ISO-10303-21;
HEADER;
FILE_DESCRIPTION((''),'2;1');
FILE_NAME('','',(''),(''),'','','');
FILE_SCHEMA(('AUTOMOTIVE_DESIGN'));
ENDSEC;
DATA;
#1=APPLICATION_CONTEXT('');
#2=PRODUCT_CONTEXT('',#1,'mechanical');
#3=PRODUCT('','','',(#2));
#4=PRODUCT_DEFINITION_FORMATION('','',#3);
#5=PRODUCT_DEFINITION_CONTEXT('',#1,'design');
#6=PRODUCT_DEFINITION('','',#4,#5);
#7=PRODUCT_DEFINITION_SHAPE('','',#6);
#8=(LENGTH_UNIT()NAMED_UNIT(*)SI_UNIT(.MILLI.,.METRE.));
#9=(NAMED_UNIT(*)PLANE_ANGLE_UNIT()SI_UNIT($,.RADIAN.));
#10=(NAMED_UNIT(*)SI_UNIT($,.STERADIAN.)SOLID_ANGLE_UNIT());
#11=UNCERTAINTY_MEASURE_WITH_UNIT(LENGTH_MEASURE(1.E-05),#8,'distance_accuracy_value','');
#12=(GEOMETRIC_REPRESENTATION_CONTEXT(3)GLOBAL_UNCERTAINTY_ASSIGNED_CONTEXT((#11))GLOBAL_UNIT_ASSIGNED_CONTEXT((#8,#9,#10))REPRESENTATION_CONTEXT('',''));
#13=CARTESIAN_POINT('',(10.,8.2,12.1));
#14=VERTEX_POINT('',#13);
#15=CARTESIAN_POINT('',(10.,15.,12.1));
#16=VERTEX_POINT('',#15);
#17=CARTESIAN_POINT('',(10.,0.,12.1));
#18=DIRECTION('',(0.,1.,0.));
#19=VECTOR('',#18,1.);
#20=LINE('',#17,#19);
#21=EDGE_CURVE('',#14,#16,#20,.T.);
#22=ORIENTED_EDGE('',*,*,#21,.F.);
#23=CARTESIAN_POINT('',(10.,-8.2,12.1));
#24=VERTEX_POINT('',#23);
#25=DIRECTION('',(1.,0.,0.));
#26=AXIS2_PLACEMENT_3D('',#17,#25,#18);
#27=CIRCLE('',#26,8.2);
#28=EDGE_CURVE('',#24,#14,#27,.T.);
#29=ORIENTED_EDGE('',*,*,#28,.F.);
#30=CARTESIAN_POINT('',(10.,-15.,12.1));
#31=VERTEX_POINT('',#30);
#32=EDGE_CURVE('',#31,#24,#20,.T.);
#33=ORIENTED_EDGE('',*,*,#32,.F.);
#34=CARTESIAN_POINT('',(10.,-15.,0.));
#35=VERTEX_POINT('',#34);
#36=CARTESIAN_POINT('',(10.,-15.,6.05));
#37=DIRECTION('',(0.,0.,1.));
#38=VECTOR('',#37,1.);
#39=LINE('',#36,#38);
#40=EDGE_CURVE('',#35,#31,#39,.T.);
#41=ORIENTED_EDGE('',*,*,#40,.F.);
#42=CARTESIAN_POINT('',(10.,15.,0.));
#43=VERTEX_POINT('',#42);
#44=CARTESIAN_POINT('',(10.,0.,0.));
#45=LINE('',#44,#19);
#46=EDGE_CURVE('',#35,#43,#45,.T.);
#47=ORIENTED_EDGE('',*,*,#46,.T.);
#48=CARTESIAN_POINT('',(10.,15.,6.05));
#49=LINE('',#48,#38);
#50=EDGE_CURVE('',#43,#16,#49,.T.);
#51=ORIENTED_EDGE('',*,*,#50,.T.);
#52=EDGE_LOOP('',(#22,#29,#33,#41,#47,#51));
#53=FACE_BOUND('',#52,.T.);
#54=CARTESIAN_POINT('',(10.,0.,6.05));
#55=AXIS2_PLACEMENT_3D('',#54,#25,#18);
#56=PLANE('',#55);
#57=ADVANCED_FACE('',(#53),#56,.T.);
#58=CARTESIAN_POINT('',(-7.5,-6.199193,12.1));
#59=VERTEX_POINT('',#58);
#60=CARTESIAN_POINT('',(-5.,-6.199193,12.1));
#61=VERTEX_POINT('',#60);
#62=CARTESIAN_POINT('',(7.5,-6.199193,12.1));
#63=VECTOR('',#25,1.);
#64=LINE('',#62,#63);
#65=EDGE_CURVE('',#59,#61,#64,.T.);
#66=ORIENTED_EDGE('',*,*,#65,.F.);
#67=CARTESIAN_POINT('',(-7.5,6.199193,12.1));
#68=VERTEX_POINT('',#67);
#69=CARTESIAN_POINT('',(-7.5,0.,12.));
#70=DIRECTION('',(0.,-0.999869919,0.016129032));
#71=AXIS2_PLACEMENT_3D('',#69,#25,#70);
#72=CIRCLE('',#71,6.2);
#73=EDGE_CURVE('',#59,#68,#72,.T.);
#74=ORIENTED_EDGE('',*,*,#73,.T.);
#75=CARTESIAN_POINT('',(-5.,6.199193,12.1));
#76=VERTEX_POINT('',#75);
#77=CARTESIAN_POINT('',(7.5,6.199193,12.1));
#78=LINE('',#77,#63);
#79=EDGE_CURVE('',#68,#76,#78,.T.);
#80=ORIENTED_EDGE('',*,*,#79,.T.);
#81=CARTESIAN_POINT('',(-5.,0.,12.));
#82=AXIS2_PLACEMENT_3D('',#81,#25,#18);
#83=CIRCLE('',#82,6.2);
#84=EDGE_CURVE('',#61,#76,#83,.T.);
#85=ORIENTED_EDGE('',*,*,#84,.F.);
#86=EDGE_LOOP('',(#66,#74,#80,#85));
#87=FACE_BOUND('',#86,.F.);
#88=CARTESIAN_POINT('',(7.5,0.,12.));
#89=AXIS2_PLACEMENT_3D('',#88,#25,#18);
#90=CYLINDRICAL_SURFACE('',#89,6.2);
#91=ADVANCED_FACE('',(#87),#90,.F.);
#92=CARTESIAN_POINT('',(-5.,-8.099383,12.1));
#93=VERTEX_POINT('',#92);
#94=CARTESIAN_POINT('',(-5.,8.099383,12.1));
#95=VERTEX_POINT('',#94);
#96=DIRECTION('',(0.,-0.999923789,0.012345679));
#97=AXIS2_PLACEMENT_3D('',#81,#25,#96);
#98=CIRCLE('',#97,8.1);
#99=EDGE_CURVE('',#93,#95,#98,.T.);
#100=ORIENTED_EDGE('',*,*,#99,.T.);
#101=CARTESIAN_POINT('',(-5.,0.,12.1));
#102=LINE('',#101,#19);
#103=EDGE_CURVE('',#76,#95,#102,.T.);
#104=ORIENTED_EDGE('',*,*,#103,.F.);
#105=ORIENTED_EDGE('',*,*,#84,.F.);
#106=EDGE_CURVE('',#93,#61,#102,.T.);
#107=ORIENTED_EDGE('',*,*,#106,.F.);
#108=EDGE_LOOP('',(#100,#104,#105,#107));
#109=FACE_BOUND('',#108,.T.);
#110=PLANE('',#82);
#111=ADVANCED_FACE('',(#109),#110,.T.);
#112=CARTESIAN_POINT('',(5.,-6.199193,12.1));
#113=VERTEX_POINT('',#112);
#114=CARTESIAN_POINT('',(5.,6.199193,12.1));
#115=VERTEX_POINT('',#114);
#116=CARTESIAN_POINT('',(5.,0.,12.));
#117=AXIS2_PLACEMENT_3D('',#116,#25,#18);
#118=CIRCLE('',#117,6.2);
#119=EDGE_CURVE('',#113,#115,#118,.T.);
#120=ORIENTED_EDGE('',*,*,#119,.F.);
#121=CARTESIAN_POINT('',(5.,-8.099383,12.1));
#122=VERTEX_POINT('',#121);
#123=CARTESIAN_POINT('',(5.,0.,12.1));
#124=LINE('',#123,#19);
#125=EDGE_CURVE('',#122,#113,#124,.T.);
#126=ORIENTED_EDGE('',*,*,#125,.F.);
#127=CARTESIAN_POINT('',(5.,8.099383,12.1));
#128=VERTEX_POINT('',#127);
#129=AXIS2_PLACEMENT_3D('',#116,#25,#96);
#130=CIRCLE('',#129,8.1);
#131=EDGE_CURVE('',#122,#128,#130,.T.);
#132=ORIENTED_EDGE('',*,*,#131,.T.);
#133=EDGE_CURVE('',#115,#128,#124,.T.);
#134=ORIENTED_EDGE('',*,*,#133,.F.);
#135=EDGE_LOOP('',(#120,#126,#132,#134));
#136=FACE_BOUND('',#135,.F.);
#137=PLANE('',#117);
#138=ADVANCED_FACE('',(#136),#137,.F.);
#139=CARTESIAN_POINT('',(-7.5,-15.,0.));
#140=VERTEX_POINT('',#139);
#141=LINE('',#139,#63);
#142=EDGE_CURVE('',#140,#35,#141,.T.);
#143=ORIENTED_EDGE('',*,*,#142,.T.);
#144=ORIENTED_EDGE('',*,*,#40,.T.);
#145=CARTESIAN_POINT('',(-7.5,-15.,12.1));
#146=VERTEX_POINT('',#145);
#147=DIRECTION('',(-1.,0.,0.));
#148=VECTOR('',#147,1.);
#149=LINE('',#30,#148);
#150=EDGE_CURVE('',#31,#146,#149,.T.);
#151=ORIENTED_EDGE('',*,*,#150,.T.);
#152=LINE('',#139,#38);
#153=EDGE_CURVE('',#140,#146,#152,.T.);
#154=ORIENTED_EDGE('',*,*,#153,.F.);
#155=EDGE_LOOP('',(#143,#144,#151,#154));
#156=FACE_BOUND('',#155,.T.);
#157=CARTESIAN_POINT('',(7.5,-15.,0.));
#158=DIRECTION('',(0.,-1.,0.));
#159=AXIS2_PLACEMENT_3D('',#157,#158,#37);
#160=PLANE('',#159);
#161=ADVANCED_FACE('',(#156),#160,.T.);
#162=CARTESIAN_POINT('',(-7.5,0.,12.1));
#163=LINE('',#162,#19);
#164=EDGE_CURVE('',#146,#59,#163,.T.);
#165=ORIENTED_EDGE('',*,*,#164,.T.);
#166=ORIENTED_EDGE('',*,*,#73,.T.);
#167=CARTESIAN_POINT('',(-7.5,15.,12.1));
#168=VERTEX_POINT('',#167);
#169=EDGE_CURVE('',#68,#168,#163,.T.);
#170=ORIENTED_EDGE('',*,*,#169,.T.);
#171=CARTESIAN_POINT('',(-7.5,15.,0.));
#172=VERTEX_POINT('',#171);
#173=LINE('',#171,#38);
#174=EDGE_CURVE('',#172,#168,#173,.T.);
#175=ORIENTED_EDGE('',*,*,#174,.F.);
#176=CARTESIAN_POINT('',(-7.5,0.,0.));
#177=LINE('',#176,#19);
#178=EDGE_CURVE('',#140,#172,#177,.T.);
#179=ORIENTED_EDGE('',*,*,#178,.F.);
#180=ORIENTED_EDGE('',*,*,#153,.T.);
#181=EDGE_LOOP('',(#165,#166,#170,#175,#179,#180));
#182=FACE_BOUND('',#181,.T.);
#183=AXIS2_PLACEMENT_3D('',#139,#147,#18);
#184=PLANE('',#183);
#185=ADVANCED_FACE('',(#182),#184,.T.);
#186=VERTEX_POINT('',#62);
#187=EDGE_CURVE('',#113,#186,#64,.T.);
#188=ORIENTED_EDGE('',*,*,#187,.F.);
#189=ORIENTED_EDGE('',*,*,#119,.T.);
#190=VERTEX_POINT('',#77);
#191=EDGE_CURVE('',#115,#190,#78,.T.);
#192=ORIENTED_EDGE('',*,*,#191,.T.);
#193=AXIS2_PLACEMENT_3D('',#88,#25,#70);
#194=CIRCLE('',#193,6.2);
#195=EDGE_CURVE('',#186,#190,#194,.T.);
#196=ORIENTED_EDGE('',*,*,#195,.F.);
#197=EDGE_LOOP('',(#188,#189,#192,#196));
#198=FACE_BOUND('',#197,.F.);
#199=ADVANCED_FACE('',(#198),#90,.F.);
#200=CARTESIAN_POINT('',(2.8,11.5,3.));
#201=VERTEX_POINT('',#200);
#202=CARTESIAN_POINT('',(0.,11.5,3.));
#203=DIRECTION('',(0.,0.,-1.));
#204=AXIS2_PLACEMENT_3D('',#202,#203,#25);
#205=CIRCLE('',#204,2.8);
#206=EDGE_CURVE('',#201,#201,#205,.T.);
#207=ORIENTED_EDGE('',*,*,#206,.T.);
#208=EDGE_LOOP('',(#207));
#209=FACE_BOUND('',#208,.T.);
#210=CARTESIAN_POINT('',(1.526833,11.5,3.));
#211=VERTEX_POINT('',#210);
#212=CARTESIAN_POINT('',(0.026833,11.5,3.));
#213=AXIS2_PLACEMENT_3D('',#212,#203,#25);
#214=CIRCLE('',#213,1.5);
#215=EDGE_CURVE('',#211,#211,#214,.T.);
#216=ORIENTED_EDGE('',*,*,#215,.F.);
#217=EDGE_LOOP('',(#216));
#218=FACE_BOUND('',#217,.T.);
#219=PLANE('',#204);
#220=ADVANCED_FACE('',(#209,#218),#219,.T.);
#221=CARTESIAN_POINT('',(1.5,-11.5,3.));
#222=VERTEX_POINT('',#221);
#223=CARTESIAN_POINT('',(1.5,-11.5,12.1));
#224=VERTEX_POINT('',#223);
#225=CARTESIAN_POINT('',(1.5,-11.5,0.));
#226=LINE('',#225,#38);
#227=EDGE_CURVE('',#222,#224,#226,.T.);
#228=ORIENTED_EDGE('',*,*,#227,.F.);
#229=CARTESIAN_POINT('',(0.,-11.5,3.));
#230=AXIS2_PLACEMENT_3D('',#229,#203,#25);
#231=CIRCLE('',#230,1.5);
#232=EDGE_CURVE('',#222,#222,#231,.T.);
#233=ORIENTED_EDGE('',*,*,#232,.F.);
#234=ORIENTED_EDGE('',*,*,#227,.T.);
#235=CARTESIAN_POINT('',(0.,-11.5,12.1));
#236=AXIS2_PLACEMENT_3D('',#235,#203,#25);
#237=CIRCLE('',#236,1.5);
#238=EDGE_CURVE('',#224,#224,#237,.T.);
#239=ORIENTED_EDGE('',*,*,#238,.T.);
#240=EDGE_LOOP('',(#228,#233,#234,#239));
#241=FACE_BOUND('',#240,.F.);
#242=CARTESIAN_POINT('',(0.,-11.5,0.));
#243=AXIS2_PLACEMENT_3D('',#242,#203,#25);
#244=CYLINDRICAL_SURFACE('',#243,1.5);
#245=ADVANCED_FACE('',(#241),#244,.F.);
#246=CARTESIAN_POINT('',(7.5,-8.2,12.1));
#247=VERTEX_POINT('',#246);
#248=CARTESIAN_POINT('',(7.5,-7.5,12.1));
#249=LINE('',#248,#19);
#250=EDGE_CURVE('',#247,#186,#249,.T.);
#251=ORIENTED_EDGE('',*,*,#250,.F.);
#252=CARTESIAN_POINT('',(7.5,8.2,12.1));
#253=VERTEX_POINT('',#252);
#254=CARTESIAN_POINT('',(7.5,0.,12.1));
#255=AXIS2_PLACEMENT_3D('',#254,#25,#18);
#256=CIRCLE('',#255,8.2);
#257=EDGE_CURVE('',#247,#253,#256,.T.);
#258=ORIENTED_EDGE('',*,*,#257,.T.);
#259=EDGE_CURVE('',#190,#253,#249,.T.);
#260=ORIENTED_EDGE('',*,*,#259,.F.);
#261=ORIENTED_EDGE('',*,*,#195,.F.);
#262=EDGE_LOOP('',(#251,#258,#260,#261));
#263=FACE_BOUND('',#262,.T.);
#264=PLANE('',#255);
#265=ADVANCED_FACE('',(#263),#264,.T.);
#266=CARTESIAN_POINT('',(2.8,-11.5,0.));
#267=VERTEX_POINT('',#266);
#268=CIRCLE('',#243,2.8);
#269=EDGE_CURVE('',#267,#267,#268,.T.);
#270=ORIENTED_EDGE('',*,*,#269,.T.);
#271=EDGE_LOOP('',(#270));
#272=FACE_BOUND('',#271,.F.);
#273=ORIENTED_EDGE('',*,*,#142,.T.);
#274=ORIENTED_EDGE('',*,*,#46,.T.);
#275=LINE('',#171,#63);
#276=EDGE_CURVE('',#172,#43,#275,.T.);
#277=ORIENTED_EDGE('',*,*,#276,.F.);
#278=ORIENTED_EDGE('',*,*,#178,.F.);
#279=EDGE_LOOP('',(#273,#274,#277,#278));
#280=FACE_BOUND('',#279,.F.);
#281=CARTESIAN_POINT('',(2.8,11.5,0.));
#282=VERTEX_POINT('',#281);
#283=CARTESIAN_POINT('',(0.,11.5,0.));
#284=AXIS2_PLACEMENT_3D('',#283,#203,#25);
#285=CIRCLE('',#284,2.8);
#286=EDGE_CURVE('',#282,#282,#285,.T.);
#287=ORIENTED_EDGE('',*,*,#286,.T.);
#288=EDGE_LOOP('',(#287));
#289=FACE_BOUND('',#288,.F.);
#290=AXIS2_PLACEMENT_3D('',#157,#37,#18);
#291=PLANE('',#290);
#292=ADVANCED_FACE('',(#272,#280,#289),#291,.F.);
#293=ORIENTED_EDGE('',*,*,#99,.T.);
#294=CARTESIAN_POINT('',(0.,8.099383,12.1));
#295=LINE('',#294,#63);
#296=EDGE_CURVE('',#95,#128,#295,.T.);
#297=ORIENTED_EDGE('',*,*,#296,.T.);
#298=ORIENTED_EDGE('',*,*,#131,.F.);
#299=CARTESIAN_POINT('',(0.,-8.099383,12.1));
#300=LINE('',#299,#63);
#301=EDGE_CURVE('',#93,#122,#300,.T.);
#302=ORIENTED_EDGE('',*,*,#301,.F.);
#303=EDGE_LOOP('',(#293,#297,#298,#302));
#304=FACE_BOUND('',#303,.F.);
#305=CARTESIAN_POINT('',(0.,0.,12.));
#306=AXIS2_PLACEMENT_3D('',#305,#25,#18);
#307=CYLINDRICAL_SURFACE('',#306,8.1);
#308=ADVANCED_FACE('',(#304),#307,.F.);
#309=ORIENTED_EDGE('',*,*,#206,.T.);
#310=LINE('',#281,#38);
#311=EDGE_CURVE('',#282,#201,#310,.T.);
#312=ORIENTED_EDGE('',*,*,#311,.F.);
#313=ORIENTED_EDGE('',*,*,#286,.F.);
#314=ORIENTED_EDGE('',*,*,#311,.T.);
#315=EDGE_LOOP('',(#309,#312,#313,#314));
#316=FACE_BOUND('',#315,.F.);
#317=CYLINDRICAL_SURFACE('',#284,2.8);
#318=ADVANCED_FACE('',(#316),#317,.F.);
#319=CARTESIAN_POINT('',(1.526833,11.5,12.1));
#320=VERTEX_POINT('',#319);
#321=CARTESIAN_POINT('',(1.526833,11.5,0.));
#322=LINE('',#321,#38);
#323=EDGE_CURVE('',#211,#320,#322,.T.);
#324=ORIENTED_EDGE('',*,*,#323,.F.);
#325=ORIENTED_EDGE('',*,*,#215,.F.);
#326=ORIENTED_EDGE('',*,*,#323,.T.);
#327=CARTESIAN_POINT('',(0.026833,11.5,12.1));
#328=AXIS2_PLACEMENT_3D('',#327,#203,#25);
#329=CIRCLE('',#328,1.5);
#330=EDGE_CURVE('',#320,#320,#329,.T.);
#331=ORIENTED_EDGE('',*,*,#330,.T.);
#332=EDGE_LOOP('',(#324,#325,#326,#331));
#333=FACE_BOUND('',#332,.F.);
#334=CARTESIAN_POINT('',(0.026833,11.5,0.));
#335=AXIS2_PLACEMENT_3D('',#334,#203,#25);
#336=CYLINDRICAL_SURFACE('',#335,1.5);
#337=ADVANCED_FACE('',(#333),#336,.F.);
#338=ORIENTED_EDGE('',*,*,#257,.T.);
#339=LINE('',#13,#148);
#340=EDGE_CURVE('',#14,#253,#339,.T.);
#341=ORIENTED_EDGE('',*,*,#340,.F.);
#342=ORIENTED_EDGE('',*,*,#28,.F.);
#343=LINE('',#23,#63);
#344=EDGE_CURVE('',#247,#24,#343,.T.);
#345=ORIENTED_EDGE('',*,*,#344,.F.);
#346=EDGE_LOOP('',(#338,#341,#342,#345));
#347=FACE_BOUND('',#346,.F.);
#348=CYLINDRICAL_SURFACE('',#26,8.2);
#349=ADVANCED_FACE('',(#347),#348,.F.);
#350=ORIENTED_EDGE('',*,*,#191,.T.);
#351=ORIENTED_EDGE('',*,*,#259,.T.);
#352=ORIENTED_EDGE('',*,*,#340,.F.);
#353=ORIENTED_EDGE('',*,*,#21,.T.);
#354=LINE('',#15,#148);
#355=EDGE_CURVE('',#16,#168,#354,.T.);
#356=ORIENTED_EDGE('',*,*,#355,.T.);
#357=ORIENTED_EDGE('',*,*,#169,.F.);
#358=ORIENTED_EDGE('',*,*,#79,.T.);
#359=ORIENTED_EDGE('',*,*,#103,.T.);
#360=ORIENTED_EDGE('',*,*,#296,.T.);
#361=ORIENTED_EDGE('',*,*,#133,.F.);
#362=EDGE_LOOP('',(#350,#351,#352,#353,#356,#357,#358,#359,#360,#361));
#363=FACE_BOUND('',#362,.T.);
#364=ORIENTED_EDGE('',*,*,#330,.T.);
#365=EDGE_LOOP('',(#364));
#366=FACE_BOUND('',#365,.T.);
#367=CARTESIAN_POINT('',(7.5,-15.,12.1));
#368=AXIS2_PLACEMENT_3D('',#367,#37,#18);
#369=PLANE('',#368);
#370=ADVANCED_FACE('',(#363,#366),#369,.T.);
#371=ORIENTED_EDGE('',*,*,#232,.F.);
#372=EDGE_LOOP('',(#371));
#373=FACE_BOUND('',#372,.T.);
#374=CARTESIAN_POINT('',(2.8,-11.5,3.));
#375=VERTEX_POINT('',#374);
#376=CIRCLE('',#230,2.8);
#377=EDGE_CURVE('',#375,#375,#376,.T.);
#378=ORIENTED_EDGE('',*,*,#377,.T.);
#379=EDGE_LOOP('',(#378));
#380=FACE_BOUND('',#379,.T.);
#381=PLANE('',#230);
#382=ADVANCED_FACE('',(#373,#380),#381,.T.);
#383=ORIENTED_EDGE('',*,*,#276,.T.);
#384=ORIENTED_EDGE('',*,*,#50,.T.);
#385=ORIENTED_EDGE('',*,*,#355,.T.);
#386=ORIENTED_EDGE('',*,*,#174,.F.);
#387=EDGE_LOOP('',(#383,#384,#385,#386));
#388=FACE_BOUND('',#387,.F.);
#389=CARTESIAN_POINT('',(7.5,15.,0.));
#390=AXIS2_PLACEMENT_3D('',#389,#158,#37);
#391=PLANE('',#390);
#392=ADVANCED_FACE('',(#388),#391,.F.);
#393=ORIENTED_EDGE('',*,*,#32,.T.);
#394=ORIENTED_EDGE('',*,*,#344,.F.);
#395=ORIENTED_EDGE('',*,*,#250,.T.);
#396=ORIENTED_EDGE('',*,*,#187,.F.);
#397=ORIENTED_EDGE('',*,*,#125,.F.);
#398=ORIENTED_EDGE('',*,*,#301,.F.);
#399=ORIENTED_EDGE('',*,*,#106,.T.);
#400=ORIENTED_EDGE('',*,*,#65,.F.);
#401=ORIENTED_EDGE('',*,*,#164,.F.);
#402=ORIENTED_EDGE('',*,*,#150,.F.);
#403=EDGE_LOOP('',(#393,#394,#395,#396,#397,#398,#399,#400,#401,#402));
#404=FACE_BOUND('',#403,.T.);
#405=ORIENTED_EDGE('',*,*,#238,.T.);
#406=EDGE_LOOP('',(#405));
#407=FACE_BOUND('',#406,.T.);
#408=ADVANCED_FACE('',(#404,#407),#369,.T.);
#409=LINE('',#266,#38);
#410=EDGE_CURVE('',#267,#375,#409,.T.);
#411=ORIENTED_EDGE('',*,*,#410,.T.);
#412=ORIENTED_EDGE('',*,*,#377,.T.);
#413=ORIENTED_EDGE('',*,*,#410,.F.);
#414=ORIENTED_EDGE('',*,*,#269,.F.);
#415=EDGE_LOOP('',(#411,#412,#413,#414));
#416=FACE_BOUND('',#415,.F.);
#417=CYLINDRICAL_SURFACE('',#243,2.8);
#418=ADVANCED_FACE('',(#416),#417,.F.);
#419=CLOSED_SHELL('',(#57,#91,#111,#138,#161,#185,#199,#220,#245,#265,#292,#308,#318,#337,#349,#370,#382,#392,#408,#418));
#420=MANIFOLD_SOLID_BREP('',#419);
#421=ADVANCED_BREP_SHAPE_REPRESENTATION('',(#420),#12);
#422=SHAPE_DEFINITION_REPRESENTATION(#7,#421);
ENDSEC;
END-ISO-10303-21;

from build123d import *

# Parameters (mm, degrees)
SKETCH002_R     = 8.1
PAD001_DEPTH    = 5
SKETCH_W        = 15
SKETCH_H        = 30
PAD_DEPTH       = 12.1
SKETCH001_R     = 6.2
POCKET_DEPTH    = 15.001
SKETCH003_R     = 1.5
POCKET001_DEPTH = 12.101
SKETCH004_R     = 2.8
POCKET002_DEPTH = 3
SKETCH005_W     = 30
SKETCH005_H     = 12.1
PAD002_DEPTH    = 2.5
SKETCH006_R     = 8.2
POCKET003_DEPTH = 2.5


with BuildPart() as pad001:
    # Sketch002 → Pad001 (new body, symmetric)
    with BuildSketch(Plane.YZ):
        with Locations((0, 12)):
            Circle(SKETCH002_R)
    extrude(amount=PAD001_DEPTH, both=True)


with BuildPart() as pocket003:
    # Sketch → Pad (new body)
    with BuildSketch(Plane.XY):
        Rectangle(SKETCH_W, SKETCH_H)
    extrude(amount=PAD_DEPTH)

    # Sketch001 → Pocket (cut, through all)
    with BuildSketch(Plane.YZ.offset(7.5)):
        with Locations((0, 12)):
            Circle(SKETCH001_R)
    extrude(amount=-POCKET_DEPTH, mode=Mode.SUBTRACT)

    # Cut: cut Pad001
    add(pad001.part, mode=Mode.SUBTRACT)

    # Sketch003 → Pocket001 (cut, through all)
    with BuildSketch(Plane(origin=(0, 0, 0), x_dir=(1, 0, 0), z_dir=(0, 0, -1))):
        with Locations((0.026833, -11.5)):
            Circle(SKETCH003_R)
        with Locations((0, 11.5)):
            Circle(SKETCH003_R)
    extrude(amount=-POCKET001_DEPTH, mode=Mode.SUBTRACT)

    # Sketch004 → Pocket002 (cut)
    with BuildSketch(Plane(origin=(0, 0, 0), x_dir=(1, 0, 0), z_dir=(0, 0, -1))):
        with Locations((0, 11.5)):
            Circle(SKETCH004_R)
        with Locations((0, -11.5)):
            Circle(SKETCH004_R)
    extrude(amount=-POCKET002_DEPTH, mode=Mode.SUBTRACT)

    # Sketch005 → Pad002 (new body)
    with BuildSketch(Plane.YZ.offset(7.5)):
        with Locations((0, 6.05)):
            Rectangle(SKETCH005_W, SKETCH005_H)
    extrude(amount=PAD002_DEPTH)

    # Sketch006 → Pocket003 (cut)
    with BuildSketch(Plane.YZ.offset(10)):
        with Locations((0, 12.1)):
            Circle(SKETCH006_R)
    extrude(amount=-POCKET003_DEPTH, mode=Mode.SUBTRACT)


solid = pocket003.part
